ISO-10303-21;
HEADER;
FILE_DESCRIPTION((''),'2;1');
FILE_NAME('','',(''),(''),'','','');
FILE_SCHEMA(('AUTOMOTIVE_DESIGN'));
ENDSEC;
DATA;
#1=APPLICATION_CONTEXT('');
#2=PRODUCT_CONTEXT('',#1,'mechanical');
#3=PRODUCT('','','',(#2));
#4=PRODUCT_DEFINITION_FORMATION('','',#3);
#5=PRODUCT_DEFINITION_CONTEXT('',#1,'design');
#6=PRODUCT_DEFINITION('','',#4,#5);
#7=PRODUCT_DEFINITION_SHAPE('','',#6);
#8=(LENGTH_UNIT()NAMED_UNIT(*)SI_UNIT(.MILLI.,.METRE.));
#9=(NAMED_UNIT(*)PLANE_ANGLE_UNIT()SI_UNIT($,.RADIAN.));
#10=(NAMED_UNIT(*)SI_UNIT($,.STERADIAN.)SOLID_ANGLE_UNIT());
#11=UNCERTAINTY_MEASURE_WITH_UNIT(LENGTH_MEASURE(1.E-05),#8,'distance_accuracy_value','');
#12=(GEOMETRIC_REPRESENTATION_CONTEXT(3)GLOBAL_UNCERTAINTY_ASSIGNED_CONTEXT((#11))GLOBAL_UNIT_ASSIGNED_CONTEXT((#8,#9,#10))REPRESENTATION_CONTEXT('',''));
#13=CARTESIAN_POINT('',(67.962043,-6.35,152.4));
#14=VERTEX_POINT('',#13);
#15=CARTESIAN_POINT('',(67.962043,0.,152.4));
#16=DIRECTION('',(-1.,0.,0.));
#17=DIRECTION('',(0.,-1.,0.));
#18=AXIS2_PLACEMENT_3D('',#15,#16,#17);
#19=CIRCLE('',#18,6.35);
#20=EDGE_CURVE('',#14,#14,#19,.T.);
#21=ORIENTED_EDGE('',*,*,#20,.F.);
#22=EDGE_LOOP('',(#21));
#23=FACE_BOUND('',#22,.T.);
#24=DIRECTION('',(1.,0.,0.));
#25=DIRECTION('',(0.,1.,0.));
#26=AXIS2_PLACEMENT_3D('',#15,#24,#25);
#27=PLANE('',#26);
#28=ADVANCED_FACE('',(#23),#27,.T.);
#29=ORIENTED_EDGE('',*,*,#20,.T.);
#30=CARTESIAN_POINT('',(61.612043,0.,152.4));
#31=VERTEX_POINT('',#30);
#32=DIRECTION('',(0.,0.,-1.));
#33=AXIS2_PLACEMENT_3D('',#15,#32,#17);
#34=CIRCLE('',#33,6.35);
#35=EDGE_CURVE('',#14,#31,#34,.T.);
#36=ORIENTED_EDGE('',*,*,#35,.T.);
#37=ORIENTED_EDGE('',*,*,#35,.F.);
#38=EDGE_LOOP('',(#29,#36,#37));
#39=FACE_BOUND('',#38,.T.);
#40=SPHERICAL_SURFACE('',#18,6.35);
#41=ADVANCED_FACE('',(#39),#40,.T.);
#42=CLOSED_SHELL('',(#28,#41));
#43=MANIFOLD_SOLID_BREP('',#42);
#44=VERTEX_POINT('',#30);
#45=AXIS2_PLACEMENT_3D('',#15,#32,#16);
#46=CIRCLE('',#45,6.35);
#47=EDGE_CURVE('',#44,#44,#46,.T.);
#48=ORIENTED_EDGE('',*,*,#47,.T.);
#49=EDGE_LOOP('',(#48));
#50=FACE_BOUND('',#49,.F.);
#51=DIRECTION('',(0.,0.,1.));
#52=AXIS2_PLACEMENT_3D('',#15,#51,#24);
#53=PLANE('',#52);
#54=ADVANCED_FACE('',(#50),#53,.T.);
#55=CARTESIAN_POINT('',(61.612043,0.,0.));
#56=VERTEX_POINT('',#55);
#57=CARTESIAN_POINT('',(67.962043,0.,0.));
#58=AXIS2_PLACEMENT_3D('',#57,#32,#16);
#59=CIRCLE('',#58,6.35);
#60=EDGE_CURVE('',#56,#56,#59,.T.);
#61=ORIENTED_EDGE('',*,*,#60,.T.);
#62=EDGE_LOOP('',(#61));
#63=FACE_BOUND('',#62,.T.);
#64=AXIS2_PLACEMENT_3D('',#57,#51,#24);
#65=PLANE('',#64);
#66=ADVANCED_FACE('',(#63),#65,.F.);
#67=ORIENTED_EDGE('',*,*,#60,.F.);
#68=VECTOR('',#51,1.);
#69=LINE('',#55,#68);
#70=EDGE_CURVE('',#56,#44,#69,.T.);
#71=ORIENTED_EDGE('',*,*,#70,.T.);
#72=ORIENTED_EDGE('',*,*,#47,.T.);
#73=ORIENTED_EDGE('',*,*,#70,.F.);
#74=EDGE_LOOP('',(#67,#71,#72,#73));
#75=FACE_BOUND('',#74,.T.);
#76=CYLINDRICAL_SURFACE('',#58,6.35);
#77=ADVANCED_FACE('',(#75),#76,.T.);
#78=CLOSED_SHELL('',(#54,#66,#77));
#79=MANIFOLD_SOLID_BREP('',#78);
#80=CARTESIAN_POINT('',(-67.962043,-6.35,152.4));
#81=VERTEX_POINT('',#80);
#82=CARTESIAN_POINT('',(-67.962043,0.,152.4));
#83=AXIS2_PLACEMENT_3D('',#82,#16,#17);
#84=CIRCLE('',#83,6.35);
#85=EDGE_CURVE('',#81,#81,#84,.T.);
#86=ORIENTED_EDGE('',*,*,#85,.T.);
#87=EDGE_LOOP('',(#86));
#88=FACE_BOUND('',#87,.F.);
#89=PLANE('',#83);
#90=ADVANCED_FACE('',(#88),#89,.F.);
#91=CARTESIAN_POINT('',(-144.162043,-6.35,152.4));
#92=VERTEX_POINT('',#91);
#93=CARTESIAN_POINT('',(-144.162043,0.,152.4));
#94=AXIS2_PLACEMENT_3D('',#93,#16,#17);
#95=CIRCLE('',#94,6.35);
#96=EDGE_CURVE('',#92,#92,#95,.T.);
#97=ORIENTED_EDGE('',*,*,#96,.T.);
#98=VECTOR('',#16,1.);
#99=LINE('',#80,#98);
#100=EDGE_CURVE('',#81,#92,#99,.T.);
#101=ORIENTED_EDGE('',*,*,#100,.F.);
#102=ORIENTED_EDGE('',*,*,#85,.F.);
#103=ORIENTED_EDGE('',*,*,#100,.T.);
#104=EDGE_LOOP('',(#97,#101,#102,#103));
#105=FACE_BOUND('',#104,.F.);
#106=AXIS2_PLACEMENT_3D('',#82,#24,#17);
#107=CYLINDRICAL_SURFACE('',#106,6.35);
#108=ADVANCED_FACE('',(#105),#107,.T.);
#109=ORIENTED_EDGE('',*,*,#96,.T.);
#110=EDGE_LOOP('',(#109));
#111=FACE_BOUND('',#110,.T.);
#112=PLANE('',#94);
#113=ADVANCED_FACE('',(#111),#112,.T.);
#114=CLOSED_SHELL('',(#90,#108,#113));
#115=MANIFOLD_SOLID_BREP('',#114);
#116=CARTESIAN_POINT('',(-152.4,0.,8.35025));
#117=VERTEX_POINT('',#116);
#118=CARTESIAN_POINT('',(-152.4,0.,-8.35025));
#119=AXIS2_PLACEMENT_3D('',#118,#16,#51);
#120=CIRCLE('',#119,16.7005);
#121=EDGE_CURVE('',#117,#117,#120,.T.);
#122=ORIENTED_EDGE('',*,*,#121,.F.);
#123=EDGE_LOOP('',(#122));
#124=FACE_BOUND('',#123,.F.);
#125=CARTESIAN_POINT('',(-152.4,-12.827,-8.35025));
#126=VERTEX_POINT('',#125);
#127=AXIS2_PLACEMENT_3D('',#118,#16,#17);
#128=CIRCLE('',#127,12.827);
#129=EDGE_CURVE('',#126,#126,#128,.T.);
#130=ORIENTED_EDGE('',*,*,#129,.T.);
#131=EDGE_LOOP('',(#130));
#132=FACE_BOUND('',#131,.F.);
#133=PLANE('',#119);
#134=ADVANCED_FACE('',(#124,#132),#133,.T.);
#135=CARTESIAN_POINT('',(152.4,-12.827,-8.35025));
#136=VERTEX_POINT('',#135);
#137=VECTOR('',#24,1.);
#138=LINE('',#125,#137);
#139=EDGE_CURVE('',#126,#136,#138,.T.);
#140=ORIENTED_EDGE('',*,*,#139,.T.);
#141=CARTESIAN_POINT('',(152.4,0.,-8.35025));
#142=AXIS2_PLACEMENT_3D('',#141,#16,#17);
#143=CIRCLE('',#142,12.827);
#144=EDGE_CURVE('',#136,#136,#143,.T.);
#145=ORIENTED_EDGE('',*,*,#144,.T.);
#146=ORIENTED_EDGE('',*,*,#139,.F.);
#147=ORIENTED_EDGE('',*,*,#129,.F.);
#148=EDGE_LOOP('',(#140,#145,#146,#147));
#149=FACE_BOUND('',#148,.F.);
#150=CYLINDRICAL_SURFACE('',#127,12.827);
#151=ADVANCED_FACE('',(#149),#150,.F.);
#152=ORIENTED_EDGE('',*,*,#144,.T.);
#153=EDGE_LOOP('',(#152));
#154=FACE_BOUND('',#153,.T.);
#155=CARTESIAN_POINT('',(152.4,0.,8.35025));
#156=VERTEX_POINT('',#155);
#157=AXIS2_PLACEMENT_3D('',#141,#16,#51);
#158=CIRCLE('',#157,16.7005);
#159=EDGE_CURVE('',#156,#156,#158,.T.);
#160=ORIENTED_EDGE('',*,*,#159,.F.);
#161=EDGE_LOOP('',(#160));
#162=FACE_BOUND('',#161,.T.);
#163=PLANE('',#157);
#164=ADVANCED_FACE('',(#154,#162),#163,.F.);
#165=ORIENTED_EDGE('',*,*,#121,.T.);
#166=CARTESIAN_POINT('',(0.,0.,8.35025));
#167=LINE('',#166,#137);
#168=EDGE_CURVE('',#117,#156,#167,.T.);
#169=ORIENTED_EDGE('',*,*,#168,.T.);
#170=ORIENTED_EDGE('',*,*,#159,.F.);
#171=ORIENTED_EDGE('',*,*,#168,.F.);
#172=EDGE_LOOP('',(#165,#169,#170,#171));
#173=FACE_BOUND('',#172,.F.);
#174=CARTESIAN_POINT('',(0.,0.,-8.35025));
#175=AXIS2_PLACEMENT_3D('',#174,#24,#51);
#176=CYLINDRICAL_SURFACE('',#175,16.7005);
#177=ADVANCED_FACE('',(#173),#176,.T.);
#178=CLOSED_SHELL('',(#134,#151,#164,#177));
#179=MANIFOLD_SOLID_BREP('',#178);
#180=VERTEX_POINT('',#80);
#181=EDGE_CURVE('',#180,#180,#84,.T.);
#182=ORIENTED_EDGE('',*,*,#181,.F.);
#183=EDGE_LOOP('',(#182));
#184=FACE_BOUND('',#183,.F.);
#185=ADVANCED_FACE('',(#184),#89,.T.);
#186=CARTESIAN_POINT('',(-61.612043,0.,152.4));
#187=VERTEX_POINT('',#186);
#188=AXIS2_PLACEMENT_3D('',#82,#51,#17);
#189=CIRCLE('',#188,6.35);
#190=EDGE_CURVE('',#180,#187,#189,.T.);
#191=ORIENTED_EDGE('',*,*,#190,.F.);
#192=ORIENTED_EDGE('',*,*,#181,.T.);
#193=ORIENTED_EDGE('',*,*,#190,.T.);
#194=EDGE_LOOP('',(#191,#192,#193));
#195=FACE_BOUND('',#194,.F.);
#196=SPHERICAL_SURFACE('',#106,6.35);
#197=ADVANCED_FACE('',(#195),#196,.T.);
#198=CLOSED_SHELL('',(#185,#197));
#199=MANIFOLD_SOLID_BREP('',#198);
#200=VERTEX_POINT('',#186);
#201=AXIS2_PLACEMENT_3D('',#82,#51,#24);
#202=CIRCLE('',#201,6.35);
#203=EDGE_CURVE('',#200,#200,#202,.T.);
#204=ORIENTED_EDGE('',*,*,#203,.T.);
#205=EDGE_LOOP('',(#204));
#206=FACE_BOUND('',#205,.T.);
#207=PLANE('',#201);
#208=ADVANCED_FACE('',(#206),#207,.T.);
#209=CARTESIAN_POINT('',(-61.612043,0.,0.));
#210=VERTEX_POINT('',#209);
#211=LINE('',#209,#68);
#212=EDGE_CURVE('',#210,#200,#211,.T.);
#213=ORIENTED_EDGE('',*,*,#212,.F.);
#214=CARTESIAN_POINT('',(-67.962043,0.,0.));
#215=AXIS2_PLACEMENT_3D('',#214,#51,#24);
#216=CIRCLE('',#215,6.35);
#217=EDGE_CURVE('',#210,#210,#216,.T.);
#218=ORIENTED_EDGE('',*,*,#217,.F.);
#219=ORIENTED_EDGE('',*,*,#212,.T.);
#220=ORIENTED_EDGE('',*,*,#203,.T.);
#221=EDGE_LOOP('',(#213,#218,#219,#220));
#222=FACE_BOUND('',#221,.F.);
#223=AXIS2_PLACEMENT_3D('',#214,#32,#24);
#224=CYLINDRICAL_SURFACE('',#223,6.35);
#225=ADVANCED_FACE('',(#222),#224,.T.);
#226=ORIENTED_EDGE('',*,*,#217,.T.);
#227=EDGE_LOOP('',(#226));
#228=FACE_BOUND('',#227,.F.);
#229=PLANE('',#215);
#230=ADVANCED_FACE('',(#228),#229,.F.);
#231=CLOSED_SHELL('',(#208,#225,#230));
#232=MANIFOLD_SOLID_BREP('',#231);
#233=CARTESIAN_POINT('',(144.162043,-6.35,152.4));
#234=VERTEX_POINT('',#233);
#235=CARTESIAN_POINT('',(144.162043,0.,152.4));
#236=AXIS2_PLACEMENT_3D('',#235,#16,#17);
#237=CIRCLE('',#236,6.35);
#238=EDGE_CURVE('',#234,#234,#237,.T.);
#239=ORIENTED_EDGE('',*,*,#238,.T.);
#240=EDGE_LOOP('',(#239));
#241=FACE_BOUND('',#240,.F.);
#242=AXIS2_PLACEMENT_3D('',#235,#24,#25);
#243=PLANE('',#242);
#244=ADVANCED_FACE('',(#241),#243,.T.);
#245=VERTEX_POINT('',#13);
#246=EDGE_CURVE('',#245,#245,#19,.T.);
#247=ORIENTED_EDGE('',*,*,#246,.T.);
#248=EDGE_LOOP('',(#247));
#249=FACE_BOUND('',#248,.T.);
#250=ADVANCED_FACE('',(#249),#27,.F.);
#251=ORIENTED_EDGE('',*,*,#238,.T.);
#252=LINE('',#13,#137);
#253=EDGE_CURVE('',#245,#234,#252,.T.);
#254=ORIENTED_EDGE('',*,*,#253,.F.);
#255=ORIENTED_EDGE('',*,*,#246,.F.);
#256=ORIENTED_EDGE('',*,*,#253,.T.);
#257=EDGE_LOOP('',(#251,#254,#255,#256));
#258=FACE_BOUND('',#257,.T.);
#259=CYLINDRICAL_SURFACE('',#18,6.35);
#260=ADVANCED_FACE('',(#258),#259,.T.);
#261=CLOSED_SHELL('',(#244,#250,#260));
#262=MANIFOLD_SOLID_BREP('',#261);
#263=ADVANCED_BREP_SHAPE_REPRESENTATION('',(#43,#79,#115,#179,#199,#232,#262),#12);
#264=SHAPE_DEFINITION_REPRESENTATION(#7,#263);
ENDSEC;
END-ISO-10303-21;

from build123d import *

# Parameters (mm, degrees)
F0_W     = 304.8
F0_H     = 16.7005
F2_R     = 12.827
F4_DEPTH = 304.801
F3_R     = 6.35
F5_DEPTH = 152.4
F8_R     = 6.35
F9_DEPTH = 76.2


with BuildPart() as f1:
    # F0 (on Front) → F1 (revolve)
    with BuildSketch(Plane.XZ):
        Rectangle(F0_W, F0_H)
    revolve(axis=Axis((0, 0, -8.35025), (-1, 0, 0)))

    # F2 (on face) → F4 (cut, through all)
    with BuildSketch(Plane(origin=(-152.4, 0, 0), x_dir=(0, -1, 0), z_dir=(-1, 0, 0))):
        with Locations((0, -8.35025)):
            Circle(F2_R)
    extrude(amount=-F4_DEPTH, mode=Mode.SUBTRACT)


with BuildPart() as f5:
    # F3 (on Top) → F5 (new body)
    with BuildSketch(Plane.XY):
        with Locations((-67.9620431383, 0)):
            Circle(F3_R)
    extrude(amount=F5_DEPTH)


with BuildPart() as f7:
    # F6 (on face) → F7 (revolve)
    with BuildSketch(Plane.XY.offset(152.4)):
        with BuildLine():
            ThreePointArc((-67.9620431383, -6.35), (-63.4719150777, -4.4901280605), (-61.6120431383, 0))
            Line((-61.6120431383, 0), (-67.9620431383, 0))
            Line((-67.9620431383, 0), (-67.9620431383, -6.35))
        make_face()
    revolve(axis=Axis((-64.7870431383, 0, 152.4), (-1, 0, 0)))


with BuildPart() as f9:
    # F8 (on face) → F9 (new body)
    with BuildSketch(Plane(origin=(-67.9620431383, 0, 0), x_dir=(0, -1, 0), z_dir=(-1, 0, 0))):
        with Locations((0, 152.4)):
            Circle(F8_R)
    extrude(amount=F9_DEPTH)


with BuildPart() as f10_1:
    # F10: instance of F9
    add(f9.part.mirror(Plane.YZ))


with BuildPart() as f10_2:
    # F10: instance of F5
    add(f5.part.mirror(Plane.YZ))


with BuildPart() as f10_3:
    # F10: instance of F7
    add(f7.part.mirror(Plane.YZ))


solid = Compound([f1.part, f5.part, f7.part, f9.part, f10_1.part, f10_2.part, f10_3.part])
